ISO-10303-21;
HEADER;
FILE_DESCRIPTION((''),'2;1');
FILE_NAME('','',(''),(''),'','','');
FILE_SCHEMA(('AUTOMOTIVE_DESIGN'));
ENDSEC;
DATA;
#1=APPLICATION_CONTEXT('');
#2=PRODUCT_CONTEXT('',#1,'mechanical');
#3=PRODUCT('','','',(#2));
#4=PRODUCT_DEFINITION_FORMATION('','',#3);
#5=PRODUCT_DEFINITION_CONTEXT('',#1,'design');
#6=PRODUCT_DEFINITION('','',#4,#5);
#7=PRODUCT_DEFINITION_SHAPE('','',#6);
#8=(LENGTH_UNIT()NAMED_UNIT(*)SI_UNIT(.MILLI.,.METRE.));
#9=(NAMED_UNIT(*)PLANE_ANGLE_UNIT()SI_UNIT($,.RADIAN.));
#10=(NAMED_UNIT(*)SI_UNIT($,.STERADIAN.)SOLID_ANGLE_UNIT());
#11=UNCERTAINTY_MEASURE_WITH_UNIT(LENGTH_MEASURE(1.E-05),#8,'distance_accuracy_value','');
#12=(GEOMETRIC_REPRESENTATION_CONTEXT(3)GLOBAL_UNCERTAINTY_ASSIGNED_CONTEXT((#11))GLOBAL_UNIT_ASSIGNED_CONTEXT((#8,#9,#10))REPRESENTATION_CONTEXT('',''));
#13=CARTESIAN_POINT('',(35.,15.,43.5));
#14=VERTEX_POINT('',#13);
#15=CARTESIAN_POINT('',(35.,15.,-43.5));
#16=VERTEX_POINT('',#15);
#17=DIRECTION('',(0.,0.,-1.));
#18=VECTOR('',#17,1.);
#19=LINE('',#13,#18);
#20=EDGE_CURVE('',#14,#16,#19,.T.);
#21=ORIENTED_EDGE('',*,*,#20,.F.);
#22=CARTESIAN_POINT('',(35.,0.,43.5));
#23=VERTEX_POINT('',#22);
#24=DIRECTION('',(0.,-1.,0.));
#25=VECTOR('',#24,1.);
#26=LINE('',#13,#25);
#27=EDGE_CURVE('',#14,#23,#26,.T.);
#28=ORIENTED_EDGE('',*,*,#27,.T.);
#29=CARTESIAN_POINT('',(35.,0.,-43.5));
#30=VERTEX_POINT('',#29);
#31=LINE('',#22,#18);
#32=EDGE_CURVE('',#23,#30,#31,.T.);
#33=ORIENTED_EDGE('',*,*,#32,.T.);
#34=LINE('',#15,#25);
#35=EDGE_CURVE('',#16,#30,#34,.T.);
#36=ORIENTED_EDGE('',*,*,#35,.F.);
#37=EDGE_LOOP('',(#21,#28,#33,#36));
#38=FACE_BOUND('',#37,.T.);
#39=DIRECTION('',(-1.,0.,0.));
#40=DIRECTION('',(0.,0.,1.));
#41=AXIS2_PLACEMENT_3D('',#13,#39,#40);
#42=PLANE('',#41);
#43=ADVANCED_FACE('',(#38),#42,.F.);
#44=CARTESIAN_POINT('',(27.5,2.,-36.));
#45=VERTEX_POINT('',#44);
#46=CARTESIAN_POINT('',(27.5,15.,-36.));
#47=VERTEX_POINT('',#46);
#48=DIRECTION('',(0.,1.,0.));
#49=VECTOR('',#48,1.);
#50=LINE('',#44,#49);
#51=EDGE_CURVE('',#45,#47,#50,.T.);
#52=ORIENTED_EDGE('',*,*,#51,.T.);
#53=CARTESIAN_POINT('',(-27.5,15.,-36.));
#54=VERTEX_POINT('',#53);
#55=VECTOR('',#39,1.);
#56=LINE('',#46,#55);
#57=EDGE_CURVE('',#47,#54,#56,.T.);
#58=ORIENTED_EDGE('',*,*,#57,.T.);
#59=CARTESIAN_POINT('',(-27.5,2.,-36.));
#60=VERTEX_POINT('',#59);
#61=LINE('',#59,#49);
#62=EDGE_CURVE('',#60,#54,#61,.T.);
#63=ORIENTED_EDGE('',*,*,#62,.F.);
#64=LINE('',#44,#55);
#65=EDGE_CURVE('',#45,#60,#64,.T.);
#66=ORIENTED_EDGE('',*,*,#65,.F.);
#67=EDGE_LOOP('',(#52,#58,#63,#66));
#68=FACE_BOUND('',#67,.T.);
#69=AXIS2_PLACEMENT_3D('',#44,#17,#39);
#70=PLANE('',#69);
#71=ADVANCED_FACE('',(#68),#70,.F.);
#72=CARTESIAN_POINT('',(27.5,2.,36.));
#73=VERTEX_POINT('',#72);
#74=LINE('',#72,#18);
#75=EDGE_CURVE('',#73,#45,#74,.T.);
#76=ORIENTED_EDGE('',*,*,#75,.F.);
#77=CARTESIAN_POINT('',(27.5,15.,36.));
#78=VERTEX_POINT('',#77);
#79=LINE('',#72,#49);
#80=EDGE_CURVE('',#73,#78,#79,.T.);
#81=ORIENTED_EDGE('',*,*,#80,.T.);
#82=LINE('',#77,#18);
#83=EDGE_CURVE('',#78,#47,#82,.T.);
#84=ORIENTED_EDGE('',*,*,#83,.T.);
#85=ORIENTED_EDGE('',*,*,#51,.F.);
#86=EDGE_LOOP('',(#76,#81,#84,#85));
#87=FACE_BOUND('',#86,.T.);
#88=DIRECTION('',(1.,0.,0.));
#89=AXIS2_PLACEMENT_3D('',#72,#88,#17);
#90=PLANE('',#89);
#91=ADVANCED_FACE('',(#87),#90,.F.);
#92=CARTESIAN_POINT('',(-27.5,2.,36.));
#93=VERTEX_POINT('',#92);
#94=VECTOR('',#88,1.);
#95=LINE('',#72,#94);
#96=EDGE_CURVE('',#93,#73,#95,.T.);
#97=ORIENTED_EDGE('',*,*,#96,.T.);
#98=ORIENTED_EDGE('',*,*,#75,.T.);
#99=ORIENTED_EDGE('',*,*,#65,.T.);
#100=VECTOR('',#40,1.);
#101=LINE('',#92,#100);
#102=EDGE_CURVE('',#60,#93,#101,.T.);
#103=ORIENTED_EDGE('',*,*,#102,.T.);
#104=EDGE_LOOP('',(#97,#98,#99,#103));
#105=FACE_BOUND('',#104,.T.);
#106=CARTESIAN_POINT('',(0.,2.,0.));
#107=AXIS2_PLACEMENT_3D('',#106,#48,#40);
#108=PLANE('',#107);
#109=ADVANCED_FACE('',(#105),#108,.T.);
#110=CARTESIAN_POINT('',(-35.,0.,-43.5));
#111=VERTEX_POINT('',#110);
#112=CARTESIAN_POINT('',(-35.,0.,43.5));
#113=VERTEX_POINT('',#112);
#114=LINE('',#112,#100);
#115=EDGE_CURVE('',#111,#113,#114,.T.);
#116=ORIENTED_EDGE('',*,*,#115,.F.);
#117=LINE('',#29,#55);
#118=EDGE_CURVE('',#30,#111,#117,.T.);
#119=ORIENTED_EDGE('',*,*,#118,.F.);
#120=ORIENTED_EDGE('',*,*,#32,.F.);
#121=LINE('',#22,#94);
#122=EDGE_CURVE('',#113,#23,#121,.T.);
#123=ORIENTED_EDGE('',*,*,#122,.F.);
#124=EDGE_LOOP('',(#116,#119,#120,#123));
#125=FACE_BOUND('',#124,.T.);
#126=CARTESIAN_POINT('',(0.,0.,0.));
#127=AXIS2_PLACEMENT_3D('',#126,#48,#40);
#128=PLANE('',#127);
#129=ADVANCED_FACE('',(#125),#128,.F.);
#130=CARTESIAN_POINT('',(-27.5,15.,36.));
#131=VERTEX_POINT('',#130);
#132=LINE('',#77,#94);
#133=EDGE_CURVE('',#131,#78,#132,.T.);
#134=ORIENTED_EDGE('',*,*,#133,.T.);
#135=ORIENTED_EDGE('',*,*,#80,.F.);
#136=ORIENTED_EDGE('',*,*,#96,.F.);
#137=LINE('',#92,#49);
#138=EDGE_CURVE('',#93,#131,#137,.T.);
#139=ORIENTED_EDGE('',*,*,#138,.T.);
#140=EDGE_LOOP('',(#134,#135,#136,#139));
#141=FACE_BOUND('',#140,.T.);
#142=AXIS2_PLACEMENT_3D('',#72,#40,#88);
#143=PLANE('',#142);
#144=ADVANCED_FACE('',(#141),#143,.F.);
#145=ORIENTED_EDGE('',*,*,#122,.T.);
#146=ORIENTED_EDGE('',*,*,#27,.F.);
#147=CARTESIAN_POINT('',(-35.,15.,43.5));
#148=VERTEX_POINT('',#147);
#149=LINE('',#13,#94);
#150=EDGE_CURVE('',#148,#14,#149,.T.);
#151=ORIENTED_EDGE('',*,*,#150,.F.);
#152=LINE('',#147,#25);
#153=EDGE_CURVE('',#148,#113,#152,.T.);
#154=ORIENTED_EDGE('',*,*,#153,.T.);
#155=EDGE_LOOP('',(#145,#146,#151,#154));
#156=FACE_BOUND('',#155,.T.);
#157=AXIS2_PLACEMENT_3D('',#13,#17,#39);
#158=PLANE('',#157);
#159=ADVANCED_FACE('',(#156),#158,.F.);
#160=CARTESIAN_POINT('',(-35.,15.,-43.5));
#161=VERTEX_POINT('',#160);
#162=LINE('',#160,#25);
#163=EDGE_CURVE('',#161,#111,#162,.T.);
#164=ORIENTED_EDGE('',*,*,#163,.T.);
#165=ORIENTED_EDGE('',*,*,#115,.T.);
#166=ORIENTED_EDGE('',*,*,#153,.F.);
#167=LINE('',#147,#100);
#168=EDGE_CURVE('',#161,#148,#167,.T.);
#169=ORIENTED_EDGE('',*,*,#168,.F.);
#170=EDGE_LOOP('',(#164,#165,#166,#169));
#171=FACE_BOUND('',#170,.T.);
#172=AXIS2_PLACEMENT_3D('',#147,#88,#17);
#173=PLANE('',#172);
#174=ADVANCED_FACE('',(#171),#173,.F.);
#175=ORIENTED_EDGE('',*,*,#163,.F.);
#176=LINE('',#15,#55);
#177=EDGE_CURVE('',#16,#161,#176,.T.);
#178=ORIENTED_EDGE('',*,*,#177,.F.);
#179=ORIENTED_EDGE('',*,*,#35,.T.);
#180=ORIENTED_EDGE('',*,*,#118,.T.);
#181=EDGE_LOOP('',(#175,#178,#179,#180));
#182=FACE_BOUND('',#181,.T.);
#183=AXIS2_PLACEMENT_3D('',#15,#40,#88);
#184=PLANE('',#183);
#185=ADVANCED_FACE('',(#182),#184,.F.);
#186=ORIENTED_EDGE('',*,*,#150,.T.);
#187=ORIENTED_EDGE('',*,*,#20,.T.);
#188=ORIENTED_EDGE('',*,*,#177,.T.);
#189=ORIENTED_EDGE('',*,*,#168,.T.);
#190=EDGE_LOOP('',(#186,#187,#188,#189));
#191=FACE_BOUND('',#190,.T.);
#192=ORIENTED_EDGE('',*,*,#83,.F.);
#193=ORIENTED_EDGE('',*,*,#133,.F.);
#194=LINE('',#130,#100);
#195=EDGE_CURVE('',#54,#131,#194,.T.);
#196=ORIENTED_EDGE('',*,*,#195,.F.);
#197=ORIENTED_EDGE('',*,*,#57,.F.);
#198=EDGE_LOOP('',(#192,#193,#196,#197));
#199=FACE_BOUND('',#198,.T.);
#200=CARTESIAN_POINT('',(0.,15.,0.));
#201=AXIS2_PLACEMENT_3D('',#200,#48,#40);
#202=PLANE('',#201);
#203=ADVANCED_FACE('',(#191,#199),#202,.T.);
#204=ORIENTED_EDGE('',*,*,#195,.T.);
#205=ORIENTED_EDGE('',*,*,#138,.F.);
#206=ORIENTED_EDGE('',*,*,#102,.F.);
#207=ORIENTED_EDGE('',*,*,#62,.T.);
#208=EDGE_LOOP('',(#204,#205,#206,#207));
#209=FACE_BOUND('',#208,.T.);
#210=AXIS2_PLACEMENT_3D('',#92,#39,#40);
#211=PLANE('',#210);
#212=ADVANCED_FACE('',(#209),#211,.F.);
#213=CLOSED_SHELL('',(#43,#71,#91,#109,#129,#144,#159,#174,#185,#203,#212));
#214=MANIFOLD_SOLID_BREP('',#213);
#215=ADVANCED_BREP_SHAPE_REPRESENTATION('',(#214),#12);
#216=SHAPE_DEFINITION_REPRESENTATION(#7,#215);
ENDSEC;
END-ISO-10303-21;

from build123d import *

# Parameters (mm, degrees)
SKETCH1_W           = 70
SKETCH1_H           = 87
BOSS_EXTRUDE1_DEPTH = 15
SKETCH2_W           = 55
SKETCH2_H           = 72
CUT_EXTRUDE1_DEPTH  = 13


with BuildPart() as part:
    # Sketch1 → Boss-Extrude1 (new body)
    with BuildSketch(Plane(origin=(0, 0, 0), x_dir=(1, 0, 0), z_dir=(0, 1, 0))):
        Rectangle(SKETCH1_W, SKETCH1_H)
    extrude(amount=BOSS_EXTRUDE1_DEPTH)

    # Sketch2 → Cut-Extrude1 (cut)
    with BuildSketch(Plane(origin=(0, 15, 0), x_dir=(1, 0, 0), z_dir=(0, 1, 0))):
        Rectangle(SKETCH2_W, SKETCH2_H)
    extrude(amount=-CUT_EXTRUDE1_DEPTH, mode=Mode.SUBTRACT)


solid = part.part
